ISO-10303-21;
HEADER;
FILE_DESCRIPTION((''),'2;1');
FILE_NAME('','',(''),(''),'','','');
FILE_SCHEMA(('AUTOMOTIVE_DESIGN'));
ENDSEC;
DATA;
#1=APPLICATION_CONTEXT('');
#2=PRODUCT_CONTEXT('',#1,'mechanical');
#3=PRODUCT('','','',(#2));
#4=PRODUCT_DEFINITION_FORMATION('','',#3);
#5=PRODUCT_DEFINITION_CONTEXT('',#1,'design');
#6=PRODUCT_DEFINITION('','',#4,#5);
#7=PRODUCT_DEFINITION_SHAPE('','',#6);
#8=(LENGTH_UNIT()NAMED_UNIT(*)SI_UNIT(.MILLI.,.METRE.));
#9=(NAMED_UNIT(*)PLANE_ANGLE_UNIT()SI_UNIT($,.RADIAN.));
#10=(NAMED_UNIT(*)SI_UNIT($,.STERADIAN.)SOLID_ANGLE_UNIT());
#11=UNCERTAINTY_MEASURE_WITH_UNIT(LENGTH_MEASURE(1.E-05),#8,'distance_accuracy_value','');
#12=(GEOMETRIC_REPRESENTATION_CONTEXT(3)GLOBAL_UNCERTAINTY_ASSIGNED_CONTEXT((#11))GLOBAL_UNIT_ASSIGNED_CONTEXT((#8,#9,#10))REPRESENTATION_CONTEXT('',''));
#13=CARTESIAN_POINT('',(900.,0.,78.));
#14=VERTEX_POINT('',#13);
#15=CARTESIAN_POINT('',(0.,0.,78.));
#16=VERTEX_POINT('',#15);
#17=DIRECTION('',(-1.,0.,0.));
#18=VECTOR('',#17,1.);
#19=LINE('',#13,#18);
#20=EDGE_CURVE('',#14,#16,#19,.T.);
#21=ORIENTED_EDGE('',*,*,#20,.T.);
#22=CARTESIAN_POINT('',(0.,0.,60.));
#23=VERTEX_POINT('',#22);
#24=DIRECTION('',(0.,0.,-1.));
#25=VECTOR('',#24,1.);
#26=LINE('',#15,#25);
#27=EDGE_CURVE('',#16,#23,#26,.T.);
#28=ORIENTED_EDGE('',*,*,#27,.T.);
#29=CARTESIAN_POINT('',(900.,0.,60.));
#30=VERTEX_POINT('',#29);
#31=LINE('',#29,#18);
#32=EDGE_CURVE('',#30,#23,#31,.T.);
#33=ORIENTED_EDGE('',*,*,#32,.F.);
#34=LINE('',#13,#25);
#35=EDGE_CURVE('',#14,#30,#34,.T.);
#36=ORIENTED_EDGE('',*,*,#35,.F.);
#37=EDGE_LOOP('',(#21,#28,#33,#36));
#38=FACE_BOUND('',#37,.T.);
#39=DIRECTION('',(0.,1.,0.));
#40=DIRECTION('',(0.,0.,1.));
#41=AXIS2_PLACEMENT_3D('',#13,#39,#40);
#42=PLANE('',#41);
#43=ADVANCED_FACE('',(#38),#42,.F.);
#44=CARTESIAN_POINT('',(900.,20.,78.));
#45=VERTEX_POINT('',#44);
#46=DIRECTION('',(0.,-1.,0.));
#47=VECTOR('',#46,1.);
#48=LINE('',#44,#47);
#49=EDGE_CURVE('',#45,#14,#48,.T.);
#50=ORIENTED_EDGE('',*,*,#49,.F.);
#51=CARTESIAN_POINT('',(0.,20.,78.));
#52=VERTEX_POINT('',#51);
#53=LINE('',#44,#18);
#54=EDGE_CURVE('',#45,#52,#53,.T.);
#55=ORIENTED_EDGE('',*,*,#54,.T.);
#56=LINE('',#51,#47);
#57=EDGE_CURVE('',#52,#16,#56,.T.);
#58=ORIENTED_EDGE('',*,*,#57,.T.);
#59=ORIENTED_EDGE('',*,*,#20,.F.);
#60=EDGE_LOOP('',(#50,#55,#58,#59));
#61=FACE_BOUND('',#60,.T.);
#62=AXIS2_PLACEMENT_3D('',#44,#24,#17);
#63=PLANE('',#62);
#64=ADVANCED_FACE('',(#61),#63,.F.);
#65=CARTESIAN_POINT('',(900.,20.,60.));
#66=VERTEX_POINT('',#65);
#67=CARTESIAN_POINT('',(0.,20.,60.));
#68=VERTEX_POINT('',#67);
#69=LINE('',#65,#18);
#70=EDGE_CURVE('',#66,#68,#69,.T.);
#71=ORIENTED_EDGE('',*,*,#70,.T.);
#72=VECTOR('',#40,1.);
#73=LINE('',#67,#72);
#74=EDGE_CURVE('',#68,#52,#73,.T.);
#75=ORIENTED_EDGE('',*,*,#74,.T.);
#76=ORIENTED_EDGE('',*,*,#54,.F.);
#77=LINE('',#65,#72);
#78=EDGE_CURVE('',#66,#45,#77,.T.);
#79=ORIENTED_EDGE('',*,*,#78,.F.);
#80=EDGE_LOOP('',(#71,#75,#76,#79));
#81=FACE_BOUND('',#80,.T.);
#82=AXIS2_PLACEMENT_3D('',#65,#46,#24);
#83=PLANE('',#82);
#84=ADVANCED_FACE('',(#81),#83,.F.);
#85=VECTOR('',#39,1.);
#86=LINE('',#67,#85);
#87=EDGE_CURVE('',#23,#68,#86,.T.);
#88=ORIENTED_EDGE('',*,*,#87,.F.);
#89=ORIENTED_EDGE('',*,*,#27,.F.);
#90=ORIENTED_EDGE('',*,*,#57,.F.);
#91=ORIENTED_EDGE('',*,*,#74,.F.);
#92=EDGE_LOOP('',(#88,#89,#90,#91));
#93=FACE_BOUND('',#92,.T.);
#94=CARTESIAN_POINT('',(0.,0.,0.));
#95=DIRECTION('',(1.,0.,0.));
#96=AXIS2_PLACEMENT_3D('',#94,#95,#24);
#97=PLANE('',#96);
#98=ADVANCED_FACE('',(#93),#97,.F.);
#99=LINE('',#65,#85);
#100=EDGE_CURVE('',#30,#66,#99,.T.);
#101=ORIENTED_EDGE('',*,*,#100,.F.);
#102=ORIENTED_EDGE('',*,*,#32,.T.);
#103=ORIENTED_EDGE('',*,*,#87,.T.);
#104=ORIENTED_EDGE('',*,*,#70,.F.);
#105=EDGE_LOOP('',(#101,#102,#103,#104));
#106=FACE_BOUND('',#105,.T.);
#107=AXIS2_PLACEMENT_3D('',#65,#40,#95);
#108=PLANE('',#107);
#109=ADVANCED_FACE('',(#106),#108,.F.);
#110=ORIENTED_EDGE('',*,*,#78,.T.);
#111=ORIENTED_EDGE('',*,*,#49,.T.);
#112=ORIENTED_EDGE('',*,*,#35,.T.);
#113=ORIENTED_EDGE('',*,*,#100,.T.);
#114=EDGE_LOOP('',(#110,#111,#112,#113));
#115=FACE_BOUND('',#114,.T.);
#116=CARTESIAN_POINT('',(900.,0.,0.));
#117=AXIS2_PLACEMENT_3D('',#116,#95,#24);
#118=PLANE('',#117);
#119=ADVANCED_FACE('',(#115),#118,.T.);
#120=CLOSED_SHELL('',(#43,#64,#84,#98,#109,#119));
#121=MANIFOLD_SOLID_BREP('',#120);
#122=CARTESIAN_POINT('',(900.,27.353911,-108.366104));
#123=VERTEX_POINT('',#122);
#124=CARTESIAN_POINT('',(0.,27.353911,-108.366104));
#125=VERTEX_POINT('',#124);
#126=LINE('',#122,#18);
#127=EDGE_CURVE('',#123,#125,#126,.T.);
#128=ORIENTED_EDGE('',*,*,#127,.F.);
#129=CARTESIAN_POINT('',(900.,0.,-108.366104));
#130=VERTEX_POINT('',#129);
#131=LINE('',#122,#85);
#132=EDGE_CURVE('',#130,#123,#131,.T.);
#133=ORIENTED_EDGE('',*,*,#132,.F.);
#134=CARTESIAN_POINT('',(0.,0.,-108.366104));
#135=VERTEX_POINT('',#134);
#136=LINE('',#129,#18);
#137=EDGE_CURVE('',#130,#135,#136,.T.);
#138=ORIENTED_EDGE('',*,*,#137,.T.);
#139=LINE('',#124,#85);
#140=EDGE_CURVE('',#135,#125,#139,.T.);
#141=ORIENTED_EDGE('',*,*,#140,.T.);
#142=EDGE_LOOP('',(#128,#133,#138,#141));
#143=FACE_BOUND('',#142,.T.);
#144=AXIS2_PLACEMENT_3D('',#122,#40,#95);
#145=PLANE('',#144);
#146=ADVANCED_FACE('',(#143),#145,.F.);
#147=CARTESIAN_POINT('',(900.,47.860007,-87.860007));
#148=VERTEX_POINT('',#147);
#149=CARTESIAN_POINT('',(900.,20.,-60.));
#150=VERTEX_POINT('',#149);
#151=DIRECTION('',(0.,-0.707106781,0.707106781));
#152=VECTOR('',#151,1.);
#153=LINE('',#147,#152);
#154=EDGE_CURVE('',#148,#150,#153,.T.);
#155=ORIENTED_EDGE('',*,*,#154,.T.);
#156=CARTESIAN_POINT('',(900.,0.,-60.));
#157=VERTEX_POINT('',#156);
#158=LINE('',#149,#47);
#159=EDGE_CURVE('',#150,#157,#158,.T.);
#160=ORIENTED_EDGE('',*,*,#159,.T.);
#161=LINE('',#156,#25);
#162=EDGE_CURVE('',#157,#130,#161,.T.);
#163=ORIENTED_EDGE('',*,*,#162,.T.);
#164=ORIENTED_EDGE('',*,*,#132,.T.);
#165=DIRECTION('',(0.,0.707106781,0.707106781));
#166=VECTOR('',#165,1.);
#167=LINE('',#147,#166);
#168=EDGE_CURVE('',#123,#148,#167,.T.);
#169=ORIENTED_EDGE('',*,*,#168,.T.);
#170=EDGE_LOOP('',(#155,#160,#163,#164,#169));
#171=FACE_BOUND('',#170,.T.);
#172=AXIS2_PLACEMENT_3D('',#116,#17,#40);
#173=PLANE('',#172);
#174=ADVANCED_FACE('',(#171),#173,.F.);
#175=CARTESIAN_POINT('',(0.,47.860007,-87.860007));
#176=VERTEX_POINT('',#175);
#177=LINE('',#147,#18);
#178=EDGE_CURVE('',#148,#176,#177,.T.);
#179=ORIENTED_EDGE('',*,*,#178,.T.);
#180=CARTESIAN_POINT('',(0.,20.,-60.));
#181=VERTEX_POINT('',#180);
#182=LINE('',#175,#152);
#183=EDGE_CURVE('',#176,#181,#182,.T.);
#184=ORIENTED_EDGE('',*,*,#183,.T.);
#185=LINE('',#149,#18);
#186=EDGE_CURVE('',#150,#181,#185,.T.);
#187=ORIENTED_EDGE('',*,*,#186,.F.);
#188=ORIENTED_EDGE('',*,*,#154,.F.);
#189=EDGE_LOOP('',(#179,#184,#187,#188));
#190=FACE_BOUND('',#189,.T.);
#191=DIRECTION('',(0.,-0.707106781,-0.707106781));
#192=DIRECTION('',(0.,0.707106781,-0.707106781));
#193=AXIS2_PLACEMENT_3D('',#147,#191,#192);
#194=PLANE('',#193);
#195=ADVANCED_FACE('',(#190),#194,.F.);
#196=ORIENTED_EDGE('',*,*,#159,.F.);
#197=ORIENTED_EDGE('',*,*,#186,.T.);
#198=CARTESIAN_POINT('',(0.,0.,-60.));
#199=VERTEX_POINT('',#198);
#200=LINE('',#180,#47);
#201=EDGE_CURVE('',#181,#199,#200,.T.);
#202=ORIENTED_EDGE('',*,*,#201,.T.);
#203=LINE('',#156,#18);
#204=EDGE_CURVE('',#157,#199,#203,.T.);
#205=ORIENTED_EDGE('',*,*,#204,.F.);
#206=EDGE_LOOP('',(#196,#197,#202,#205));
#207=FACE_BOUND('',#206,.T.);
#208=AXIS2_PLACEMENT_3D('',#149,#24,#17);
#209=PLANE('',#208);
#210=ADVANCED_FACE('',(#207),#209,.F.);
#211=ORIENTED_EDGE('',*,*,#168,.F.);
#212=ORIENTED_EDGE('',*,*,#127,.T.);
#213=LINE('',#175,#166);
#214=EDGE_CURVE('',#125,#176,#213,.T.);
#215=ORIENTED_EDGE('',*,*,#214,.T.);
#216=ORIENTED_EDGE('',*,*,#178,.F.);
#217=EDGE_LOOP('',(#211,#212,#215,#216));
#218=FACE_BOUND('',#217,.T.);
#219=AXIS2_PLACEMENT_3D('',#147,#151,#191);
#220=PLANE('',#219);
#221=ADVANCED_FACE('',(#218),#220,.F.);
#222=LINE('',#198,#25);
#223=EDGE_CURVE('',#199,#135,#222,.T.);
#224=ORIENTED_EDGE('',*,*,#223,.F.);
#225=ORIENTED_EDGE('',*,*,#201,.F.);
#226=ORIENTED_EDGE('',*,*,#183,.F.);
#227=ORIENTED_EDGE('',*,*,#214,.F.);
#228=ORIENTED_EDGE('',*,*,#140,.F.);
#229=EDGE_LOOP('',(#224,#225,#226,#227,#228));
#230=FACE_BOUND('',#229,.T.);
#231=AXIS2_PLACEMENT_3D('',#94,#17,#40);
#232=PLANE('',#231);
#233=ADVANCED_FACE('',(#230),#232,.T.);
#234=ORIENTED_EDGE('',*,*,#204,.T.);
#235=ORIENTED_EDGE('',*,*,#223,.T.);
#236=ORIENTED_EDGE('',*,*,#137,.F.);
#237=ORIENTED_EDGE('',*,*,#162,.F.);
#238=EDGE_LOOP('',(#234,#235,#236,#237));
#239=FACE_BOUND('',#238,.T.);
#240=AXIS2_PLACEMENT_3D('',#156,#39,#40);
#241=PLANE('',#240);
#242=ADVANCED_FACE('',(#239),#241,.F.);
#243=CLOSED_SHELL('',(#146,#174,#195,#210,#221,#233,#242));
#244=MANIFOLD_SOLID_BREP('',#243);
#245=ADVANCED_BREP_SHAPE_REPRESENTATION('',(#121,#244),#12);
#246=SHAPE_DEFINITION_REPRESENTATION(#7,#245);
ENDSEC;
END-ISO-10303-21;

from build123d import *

# Parameters (mm, degrees)
SKETCH2_W             = 18
SKETCH2_H             = 20
BOSS_EXTRUDE1_DEPTH   = 900
BOSS_EXTRUDE1_2_DEPTH = 900


with BuildPart() as part:
    # Sketch2 → Boss-Extrude1 (new body)
    with BuildSketch(Plane(origin=(0, 0, 0), x_dir=(0, 0, -1), z_dir=(1, 0, 0))):
        with Locations((-69, 10)):
            Rectangle(SKETCH2_W, SKETCH2_H)
    extrude(amount=BOSS_EXTRUDE1_DEPTH)


with BuildPart() as body_2:
    # Sketch2 → Boss-Extrude1 2 (new body)
    with BuildSketch(Plane(origin=(0, 0, 0), x_dir=(0, 0, -1), z_dir=(1, 0, 0))):
        Polygon((87.860007179, 47.860007179), (60, 20), (60, 0), (108.366103833, 0), (108.366103833, 27.353910524), align=None)
    extrude(amount=BOSS_EXTRUDE1_2_DEPTH)


solid = Compound([part.part, body_2.part])
